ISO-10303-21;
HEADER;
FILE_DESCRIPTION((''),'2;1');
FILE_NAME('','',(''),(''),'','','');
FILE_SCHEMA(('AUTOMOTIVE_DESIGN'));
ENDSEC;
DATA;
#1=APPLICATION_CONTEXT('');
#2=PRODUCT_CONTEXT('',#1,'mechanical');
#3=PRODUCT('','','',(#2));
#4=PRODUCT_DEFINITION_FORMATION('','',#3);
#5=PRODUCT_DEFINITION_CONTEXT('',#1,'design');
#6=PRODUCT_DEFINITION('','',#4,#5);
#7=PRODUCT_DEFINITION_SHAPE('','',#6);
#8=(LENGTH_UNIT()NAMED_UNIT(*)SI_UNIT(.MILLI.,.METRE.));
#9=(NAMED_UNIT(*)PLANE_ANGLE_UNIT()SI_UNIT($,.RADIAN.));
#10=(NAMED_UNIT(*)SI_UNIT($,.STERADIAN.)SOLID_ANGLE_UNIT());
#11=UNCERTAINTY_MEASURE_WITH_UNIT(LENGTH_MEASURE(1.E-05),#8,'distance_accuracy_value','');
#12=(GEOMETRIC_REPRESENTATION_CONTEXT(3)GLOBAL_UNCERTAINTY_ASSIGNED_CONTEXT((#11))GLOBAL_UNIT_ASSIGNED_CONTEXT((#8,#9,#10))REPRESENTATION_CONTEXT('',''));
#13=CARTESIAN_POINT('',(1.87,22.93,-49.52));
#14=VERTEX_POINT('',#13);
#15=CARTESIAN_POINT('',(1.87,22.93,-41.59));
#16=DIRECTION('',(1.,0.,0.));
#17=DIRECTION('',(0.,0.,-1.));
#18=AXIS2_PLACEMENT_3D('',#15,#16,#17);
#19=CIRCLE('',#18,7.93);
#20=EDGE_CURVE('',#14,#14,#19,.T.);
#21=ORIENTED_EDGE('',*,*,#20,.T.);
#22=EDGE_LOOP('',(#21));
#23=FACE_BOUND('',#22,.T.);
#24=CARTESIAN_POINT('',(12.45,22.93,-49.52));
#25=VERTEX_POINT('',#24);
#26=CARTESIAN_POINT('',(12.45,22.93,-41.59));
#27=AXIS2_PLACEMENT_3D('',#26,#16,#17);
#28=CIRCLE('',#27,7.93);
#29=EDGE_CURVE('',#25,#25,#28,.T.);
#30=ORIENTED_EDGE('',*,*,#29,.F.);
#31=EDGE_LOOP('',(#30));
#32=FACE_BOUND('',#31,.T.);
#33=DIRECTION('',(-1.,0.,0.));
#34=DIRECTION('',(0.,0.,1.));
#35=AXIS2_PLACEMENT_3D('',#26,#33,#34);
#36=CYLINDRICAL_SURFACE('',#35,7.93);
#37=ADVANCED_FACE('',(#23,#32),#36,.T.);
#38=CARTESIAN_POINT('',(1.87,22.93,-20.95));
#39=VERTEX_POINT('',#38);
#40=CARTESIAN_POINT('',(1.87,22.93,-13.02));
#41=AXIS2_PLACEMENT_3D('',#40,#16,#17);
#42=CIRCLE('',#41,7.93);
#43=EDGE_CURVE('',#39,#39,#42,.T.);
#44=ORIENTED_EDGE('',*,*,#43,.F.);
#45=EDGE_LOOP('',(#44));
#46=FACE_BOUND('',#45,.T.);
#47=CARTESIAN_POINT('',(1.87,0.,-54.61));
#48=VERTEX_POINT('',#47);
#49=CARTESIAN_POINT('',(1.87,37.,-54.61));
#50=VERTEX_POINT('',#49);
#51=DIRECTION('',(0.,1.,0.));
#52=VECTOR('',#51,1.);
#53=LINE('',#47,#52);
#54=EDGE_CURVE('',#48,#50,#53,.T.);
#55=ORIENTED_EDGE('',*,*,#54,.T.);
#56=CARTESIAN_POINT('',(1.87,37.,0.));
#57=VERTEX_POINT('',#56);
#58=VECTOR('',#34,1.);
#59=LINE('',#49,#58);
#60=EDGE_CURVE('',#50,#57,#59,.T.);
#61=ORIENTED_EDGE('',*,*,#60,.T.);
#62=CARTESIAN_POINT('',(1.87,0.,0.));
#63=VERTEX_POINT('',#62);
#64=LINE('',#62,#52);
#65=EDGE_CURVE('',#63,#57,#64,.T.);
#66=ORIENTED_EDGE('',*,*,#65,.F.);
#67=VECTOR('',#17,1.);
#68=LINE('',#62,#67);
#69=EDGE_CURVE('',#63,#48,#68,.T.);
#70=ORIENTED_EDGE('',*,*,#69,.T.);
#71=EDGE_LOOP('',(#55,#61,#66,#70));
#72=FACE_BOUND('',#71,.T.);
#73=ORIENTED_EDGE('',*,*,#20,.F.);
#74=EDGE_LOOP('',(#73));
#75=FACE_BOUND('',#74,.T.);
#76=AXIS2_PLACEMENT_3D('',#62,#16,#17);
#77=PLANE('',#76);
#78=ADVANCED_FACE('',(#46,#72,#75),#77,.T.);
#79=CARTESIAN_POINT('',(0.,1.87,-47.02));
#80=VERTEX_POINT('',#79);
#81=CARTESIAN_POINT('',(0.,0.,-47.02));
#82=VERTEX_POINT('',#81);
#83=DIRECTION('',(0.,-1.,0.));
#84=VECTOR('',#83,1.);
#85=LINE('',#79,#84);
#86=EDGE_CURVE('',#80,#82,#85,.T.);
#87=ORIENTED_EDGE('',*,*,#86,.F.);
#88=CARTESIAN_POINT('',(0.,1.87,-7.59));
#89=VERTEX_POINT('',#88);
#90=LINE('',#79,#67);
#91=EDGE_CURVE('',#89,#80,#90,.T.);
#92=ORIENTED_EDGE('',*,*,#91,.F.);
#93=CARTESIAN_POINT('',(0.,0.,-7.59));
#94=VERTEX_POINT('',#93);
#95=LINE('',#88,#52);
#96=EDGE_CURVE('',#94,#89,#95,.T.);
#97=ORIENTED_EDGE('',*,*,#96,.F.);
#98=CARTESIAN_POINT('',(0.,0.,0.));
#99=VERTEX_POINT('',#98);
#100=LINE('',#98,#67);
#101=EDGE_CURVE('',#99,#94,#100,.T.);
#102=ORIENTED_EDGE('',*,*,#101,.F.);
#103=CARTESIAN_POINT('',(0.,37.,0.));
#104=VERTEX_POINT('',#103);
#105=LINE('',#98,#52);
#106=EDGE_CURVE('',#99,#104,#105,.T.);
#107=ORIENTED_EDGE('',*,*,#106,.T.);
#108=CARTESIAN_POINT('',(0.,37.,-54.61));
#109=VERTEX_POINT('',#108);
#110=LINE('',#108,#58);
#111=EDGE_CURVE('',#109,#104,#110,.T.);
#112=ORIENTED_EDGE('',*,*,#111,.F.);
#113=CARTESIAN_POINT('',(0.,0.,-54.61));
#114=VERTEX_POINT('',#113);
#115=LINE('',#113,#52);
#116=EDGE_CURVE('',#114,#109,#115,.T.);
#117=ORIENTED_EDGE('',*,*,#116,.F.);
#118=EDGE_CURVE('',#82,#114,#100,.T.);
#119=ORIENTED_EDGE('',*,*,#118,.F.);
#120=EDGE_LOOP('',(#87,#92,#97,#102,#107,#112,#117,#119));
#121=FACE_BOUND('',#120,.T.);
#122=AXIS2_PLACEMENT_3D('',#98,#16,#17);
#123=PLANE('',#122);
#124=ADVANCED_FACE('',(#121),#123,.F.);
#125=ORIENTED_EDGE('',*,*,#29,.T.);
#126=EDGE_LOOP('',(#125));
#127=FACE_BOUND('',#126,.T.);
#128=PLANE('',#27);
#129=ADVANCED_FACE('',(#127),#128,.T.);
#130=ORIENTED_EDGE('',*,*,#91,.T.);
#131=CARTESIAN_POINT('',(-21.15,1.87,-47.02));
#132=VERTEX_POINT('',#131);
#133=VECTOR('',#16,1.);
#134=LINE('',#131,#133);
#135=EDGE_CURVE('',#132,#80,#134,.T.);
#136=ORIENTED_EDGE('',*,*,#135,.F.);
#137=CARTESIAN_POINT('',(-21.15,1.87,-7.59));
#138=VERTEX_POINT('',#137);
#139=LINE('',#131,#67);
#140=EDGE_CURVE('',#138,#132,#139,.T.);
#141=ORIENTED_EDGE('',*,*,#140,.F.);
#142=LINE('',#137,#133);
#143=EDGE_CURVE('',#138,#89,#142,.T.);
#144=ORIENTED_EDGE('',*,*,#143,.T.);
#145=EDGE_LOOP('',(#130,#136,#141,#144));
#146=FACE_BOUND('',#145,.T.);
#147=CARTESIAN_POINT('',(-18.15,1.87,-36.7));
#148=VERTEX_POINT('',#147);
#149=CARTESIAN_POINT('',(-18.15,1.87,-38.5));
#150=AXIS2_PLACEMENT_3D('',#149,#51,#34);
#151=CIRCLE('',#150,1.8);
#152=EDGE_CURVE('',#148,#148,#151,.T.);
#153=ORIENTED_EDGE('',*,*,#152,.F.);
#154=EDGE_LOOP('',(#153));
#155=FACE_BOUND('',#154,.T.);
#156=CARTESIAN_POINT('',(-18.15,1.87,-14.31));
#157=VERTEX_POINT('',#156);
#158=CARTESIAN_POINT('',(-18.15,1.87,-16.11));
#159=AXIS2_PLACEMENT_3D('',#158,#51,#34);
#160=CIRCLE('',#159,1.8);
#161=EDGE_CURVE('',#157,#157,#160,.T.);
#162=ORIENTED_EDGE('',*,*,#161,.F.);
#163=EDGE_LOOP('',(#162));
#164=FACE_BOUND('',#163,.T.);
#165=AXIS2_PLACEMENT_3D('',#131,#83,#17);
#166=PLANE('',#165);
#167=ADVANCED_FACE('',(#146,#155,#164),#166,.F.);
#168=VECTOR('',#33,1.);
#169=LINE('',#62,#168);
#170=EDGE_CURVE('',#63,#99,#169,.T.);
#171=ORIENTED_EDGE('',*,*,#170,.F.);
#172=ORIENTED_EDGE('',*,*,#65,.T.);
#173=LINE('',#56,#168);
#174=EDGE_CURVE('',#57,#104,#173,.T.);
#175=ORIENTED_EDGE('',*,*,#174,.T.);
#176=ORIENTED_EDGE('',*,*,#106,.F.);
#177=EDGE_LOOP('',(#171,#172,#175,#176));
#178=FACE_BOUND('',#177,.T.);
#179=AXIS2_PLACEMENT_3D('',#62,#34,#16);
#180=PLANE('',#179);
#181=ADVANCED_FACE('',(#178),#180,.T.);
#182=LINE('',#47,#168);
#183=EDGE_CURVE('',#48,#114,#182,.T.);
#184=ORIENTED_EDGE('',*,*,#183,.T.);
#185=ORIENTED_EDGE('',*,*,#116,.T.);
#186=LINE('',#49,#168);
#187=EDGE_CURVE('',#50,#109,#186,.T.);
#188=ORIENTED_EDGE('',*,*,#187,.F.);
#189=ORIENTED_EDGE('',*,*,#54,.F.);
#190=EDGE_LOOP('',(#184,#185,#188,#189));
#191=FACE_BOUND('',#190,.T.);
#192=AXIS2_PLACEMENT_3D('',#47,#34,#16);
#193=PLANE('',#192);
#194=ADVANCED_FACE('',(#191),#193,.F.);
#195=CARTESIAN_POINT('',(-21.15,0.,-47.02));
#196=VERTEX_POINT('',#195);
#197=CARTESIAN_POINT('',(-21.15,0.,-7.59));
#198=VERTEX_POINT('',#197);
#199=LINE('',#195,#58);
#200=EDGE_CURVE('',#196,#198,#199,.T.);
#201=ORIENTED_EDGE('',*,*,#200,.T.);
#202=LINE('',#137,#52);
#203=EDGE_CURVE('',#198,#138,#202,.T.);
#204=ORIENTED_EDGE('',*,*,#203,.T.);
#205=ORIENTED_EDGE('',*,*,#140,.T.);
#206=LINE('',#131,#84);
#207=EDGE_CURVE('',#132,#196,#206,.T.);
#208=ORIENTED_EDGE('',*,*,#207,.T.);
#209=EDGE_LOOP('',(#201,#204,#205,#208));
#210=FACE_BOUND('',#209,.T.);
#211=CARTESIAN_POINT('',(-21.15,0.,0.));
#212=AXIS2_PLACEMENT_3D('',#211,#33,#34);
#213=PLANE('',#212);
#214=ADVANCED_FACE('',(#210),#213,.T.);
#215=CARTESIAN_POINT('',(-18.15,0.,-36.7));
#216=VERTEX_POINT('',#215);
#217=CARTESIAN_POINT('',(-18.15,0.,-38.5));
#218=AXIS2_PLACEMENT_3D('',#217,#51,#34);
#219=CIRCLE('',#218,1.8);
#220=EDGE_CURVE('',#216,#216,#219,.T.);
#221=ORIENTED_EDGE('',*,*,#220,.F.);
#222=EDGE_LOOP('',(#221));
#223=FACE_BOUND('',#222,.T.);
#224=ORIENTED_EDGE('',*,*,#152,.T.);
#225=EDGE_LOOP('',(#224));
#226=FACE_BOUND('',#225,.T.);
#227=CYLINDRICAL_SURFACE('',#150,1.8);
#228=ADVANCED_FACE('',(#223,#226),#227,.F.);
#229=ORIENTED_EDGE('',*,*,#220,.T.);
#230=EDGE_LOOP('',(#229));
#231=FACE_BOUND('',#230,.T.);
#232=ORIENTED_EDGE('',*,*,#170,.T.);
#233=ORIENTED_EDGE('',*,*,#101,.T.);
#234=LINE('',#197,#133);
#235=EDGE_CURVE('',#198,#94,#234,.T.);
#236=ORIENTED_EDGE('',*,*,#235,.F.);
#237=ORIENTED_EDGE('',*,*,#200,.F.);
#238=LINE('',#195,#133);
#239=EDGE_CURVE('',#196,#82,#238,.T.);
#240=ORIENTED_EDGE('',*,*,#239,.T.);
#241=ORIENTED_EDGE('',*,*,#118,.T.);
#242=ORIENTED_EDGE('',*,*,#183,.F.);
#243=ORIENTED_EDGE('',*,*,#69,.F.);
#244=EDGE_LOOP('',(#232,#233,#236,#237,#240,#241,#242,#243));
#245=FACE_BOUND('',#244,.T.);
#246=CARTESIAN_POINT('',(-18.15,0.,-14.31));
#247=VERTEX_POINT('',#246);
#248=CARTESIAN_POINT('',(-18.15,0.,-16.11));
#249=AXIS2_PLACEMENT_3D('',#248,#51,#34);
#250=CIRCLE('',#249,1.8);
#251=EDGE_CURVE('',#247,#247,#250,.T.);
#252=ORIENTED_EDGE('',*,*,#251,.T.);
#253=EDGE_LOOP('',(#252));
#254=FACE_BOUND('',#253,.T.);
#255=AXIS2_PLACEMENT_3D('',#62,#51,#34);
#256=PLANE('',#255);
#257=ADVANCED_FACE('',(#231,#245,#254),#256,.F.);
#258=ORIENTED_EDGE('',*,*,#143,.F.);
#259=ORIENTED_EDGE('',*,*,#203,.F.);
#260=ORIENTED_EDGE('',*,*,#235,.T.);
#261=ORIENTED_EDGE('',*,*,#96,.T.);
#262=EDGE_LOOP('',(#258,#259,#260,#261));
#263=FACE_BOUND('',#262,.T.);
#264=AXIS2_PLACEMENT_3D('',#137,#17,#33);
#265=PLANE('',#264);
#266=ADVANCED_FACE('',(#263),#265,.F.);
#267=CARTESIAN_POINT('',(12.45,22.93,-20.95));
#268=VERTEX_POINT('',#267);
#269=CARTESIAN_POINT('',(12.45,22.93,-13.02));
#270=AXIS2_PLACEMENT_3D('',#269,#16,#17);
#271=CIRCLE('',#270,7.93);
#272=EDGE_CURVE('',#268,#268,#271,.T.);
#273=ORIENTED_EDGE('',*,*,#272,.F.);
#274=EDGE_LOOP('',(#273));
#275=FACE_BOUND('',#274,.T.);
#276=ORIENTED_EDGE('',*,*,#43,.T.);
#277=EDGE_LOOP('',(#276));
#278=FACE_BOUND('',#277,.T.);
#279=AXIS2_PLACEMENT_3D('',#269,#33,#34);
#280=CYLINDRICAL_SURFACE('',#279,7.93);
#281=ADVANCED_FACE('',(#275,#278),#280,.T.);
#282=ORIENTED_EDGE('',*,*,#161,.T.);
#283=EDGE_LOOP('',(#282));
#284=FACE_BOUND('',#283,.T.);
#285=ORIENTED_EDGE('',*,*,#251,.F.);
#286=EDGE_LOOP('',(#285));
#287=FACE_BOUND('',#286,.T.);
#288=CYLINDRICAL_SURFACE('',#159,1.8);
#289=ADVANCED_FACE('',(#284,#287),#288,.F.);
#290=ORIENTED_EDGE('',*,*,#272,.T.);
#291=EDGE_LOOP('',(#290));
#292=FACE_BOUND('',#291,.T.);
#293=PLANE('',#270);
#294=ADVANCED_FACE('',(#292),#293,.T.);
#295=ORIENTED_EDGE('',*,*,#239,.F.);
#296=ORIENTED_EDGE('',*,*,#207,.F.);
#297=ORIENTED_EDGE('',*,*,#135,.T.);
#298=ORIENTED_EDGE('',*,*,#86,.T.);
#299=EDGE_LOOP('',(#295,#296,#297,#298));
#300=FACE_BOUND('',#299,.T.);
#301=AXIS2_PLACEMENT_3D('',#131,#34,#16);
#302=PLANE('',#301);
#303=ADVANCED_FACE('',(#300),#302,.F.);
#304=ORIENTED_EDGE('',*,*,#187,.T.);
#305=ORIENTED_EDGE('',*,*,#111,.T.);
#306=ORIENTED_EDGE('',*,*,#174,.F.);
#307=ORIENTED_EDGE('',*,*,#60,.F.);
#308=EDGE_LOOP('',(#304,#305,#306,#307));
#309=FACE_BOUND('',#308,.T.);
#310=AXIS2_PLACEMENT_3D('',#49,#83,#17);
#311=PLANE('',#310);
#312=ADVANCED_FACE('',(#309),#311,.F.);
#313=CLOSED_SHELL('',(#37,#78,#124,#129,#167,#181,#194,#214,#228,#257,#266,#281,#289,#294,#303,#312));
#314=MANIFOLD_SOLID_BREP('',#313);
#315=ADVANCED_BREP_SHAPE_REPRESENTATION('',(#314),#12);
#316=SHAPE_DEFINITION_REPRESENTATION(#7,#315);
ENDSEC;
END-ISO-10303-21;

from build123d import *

# Parameters (mm, degrees)
ESQUISSE1_W          = 54.61
ESQUISSE1_H          = 37
BOSS_EXTRU_1_DEPTH   = 1.87
ESQUISSE2_R          = 7.93
BOSS_EXTRU_2_DEPTH   = 10.58
ESQUISSE3_W          = 39.43
ESQUISSE3_H          = 1.87
BOSS_EXTRU_3_DEPTH   = 21.15
D_GAGEMENT_M31_D     = 3.6
D_GAGEMENT_M31_DEPTH = 1.99
D_GAGEMENT_M31_TIP   = 1.081549114


with BuildPart() as part:
    # Esquisse1 → Boss.-Extru.1 (new body)
    with BuildSketch(Plane(origin=(0, 0, 0), x_dir=(0, 0, -1), z_dir=(1, 0, 0))):
        with Locations((27.305, 18.5)):
            Rectangle(ESQUISSE1_W, ESQUISSE1_H)
    extrude(amount=BOSS_EXTRU_1_DEPTH)

    # Esquisse2 → Boss.-Extru.2 (add)
    with BuildSketch(Plane(origin=(1.87, 0, 0), x_dir=(0, 0, -1), z_dir=(1, 0, 0))):
        with Locations((13.02, 22.93)):
            Circle(ESQUISSE2_R)
        with Locations((41.59, 22.93)):
            Circle(ESQUISSE2_R)
    extrude(amount=BOSS_EXTRU_2_DEPTH)

    # Esquisse3 → Boss.-Extru.3 (add)
    with BuildSketch(Plane.ZY):
        with Locations((-27.305, 0.935)):
            Rectangle(ESQUISSE3_W, ESQUISSE3_H)
    extrude(amount=BOSS_EXTRU_3_DEPTH)

    # Dégagement M31
    with Locations(Plane(origin=(-18.15, 1.87, -38.5), x_dir=(0, 0, 1), z_dir=(0, 1, 0))):
        with Locations((0, 0), (22.39, 0)):
            Hole(D_GAGEMENT_M31_D / 2, depth=D_GAGEMENT_M31_DEPTH)
            with Locations((0, 0, -(D_GAGEMENT_M31_DEPTH + D_GAGEMENT_M31_TIP / 2))):  # 118° drill point
                Cone(0, D_GAGEMENT_M31_D / 2, D_GAGEMENT_M31_TIP, mode=Mode.SUBTRACT)


solid = part.part
